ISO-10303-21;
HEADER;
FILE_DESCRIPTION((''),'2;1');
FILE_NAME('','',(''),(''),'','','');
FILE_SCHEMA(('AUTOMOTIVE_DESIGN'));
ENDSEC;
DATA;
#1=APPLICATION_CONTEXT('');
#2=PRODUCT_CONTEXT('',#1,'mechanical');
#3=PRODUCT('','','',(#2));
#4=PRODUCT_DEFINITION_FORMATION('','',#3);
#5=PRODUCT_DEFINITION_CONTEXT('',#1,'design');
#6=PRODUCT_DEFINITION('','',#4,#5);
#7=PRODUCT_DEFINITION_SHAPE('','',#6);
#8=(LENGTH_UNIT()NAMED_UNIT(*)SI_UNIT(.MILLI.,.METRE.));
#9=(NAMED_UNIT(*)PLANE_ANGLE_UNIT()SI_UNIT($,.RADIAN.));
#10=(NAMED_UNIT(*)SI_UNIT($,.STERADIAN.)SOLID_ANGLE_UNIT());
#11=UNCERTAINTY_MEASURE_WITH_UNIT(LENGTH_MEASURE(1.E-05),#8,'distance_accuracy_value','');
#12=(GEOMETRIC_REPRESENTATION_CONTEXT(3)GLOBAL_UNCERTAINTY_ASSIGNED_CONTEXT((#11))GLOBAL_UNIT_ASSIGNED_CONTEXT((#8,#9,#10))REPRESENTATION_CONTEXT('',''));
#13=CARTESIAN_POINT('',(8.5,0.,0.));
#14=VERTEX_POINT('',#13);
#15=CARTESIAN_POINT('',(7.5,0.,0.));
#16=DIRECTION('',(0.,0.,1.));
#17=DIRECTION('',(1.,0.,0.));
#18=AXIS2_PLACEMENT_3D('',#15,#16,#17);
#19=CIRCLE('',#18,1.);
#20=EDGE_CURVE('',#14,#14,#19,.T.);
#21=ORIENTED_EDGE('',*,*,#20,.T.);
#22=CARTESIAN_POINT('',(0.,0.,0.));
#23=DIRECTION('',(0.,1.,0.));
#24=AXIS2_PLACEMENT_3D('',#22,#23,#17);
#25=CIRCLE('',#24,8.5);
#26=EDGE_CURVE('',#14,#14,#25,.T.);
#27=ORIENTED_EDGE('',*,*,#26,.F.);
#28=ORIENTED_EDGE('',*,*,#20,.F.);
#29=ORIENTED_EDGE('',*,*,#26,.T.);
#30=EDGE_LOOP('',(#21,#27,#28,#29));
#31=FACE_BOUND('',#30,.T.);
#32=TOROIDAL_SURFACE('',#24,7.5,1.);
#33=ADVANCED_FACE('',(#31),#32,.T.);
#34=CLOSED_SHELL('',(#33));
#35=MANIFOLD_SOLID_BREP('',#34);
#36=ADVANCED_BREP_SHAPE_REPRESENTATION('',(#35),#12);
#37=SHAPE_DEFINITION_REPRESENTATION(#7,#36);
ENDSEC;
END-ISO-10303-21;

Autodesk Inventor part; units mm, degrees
ref_plane "YZ Plane" through (0, 0, 0) normal (1, 0, 0) x (0, 1, 0)
ref_plane "XZ Plane" through (0, 0, 0) normal (0, 1, 0) x (-1, 0, 0)
ref_plane "XY Plane" through (0, 0, 0) normal (0, 0, 1) x (1, 0, 0)
sketch "Sketch1" plane through (0, 0, 0) normal (0, 0, 1) x (1, 0, 0)
  line L0 (0, 0) -> (7.5, 0) construction
  circle A0 centre (7.5, 0) radius 1
  line L1 (0, 0) -> (0, 7.2768) construction
  dimension "d0" = 7.5
  dimension "d1" = 2
revolve "Revolution1" add sketch "Sketch1" angle 360 about axis through (0, 0, 0) along (0, 1, 0)
properties part number "Oring2" material "Rubber, Silicone"
